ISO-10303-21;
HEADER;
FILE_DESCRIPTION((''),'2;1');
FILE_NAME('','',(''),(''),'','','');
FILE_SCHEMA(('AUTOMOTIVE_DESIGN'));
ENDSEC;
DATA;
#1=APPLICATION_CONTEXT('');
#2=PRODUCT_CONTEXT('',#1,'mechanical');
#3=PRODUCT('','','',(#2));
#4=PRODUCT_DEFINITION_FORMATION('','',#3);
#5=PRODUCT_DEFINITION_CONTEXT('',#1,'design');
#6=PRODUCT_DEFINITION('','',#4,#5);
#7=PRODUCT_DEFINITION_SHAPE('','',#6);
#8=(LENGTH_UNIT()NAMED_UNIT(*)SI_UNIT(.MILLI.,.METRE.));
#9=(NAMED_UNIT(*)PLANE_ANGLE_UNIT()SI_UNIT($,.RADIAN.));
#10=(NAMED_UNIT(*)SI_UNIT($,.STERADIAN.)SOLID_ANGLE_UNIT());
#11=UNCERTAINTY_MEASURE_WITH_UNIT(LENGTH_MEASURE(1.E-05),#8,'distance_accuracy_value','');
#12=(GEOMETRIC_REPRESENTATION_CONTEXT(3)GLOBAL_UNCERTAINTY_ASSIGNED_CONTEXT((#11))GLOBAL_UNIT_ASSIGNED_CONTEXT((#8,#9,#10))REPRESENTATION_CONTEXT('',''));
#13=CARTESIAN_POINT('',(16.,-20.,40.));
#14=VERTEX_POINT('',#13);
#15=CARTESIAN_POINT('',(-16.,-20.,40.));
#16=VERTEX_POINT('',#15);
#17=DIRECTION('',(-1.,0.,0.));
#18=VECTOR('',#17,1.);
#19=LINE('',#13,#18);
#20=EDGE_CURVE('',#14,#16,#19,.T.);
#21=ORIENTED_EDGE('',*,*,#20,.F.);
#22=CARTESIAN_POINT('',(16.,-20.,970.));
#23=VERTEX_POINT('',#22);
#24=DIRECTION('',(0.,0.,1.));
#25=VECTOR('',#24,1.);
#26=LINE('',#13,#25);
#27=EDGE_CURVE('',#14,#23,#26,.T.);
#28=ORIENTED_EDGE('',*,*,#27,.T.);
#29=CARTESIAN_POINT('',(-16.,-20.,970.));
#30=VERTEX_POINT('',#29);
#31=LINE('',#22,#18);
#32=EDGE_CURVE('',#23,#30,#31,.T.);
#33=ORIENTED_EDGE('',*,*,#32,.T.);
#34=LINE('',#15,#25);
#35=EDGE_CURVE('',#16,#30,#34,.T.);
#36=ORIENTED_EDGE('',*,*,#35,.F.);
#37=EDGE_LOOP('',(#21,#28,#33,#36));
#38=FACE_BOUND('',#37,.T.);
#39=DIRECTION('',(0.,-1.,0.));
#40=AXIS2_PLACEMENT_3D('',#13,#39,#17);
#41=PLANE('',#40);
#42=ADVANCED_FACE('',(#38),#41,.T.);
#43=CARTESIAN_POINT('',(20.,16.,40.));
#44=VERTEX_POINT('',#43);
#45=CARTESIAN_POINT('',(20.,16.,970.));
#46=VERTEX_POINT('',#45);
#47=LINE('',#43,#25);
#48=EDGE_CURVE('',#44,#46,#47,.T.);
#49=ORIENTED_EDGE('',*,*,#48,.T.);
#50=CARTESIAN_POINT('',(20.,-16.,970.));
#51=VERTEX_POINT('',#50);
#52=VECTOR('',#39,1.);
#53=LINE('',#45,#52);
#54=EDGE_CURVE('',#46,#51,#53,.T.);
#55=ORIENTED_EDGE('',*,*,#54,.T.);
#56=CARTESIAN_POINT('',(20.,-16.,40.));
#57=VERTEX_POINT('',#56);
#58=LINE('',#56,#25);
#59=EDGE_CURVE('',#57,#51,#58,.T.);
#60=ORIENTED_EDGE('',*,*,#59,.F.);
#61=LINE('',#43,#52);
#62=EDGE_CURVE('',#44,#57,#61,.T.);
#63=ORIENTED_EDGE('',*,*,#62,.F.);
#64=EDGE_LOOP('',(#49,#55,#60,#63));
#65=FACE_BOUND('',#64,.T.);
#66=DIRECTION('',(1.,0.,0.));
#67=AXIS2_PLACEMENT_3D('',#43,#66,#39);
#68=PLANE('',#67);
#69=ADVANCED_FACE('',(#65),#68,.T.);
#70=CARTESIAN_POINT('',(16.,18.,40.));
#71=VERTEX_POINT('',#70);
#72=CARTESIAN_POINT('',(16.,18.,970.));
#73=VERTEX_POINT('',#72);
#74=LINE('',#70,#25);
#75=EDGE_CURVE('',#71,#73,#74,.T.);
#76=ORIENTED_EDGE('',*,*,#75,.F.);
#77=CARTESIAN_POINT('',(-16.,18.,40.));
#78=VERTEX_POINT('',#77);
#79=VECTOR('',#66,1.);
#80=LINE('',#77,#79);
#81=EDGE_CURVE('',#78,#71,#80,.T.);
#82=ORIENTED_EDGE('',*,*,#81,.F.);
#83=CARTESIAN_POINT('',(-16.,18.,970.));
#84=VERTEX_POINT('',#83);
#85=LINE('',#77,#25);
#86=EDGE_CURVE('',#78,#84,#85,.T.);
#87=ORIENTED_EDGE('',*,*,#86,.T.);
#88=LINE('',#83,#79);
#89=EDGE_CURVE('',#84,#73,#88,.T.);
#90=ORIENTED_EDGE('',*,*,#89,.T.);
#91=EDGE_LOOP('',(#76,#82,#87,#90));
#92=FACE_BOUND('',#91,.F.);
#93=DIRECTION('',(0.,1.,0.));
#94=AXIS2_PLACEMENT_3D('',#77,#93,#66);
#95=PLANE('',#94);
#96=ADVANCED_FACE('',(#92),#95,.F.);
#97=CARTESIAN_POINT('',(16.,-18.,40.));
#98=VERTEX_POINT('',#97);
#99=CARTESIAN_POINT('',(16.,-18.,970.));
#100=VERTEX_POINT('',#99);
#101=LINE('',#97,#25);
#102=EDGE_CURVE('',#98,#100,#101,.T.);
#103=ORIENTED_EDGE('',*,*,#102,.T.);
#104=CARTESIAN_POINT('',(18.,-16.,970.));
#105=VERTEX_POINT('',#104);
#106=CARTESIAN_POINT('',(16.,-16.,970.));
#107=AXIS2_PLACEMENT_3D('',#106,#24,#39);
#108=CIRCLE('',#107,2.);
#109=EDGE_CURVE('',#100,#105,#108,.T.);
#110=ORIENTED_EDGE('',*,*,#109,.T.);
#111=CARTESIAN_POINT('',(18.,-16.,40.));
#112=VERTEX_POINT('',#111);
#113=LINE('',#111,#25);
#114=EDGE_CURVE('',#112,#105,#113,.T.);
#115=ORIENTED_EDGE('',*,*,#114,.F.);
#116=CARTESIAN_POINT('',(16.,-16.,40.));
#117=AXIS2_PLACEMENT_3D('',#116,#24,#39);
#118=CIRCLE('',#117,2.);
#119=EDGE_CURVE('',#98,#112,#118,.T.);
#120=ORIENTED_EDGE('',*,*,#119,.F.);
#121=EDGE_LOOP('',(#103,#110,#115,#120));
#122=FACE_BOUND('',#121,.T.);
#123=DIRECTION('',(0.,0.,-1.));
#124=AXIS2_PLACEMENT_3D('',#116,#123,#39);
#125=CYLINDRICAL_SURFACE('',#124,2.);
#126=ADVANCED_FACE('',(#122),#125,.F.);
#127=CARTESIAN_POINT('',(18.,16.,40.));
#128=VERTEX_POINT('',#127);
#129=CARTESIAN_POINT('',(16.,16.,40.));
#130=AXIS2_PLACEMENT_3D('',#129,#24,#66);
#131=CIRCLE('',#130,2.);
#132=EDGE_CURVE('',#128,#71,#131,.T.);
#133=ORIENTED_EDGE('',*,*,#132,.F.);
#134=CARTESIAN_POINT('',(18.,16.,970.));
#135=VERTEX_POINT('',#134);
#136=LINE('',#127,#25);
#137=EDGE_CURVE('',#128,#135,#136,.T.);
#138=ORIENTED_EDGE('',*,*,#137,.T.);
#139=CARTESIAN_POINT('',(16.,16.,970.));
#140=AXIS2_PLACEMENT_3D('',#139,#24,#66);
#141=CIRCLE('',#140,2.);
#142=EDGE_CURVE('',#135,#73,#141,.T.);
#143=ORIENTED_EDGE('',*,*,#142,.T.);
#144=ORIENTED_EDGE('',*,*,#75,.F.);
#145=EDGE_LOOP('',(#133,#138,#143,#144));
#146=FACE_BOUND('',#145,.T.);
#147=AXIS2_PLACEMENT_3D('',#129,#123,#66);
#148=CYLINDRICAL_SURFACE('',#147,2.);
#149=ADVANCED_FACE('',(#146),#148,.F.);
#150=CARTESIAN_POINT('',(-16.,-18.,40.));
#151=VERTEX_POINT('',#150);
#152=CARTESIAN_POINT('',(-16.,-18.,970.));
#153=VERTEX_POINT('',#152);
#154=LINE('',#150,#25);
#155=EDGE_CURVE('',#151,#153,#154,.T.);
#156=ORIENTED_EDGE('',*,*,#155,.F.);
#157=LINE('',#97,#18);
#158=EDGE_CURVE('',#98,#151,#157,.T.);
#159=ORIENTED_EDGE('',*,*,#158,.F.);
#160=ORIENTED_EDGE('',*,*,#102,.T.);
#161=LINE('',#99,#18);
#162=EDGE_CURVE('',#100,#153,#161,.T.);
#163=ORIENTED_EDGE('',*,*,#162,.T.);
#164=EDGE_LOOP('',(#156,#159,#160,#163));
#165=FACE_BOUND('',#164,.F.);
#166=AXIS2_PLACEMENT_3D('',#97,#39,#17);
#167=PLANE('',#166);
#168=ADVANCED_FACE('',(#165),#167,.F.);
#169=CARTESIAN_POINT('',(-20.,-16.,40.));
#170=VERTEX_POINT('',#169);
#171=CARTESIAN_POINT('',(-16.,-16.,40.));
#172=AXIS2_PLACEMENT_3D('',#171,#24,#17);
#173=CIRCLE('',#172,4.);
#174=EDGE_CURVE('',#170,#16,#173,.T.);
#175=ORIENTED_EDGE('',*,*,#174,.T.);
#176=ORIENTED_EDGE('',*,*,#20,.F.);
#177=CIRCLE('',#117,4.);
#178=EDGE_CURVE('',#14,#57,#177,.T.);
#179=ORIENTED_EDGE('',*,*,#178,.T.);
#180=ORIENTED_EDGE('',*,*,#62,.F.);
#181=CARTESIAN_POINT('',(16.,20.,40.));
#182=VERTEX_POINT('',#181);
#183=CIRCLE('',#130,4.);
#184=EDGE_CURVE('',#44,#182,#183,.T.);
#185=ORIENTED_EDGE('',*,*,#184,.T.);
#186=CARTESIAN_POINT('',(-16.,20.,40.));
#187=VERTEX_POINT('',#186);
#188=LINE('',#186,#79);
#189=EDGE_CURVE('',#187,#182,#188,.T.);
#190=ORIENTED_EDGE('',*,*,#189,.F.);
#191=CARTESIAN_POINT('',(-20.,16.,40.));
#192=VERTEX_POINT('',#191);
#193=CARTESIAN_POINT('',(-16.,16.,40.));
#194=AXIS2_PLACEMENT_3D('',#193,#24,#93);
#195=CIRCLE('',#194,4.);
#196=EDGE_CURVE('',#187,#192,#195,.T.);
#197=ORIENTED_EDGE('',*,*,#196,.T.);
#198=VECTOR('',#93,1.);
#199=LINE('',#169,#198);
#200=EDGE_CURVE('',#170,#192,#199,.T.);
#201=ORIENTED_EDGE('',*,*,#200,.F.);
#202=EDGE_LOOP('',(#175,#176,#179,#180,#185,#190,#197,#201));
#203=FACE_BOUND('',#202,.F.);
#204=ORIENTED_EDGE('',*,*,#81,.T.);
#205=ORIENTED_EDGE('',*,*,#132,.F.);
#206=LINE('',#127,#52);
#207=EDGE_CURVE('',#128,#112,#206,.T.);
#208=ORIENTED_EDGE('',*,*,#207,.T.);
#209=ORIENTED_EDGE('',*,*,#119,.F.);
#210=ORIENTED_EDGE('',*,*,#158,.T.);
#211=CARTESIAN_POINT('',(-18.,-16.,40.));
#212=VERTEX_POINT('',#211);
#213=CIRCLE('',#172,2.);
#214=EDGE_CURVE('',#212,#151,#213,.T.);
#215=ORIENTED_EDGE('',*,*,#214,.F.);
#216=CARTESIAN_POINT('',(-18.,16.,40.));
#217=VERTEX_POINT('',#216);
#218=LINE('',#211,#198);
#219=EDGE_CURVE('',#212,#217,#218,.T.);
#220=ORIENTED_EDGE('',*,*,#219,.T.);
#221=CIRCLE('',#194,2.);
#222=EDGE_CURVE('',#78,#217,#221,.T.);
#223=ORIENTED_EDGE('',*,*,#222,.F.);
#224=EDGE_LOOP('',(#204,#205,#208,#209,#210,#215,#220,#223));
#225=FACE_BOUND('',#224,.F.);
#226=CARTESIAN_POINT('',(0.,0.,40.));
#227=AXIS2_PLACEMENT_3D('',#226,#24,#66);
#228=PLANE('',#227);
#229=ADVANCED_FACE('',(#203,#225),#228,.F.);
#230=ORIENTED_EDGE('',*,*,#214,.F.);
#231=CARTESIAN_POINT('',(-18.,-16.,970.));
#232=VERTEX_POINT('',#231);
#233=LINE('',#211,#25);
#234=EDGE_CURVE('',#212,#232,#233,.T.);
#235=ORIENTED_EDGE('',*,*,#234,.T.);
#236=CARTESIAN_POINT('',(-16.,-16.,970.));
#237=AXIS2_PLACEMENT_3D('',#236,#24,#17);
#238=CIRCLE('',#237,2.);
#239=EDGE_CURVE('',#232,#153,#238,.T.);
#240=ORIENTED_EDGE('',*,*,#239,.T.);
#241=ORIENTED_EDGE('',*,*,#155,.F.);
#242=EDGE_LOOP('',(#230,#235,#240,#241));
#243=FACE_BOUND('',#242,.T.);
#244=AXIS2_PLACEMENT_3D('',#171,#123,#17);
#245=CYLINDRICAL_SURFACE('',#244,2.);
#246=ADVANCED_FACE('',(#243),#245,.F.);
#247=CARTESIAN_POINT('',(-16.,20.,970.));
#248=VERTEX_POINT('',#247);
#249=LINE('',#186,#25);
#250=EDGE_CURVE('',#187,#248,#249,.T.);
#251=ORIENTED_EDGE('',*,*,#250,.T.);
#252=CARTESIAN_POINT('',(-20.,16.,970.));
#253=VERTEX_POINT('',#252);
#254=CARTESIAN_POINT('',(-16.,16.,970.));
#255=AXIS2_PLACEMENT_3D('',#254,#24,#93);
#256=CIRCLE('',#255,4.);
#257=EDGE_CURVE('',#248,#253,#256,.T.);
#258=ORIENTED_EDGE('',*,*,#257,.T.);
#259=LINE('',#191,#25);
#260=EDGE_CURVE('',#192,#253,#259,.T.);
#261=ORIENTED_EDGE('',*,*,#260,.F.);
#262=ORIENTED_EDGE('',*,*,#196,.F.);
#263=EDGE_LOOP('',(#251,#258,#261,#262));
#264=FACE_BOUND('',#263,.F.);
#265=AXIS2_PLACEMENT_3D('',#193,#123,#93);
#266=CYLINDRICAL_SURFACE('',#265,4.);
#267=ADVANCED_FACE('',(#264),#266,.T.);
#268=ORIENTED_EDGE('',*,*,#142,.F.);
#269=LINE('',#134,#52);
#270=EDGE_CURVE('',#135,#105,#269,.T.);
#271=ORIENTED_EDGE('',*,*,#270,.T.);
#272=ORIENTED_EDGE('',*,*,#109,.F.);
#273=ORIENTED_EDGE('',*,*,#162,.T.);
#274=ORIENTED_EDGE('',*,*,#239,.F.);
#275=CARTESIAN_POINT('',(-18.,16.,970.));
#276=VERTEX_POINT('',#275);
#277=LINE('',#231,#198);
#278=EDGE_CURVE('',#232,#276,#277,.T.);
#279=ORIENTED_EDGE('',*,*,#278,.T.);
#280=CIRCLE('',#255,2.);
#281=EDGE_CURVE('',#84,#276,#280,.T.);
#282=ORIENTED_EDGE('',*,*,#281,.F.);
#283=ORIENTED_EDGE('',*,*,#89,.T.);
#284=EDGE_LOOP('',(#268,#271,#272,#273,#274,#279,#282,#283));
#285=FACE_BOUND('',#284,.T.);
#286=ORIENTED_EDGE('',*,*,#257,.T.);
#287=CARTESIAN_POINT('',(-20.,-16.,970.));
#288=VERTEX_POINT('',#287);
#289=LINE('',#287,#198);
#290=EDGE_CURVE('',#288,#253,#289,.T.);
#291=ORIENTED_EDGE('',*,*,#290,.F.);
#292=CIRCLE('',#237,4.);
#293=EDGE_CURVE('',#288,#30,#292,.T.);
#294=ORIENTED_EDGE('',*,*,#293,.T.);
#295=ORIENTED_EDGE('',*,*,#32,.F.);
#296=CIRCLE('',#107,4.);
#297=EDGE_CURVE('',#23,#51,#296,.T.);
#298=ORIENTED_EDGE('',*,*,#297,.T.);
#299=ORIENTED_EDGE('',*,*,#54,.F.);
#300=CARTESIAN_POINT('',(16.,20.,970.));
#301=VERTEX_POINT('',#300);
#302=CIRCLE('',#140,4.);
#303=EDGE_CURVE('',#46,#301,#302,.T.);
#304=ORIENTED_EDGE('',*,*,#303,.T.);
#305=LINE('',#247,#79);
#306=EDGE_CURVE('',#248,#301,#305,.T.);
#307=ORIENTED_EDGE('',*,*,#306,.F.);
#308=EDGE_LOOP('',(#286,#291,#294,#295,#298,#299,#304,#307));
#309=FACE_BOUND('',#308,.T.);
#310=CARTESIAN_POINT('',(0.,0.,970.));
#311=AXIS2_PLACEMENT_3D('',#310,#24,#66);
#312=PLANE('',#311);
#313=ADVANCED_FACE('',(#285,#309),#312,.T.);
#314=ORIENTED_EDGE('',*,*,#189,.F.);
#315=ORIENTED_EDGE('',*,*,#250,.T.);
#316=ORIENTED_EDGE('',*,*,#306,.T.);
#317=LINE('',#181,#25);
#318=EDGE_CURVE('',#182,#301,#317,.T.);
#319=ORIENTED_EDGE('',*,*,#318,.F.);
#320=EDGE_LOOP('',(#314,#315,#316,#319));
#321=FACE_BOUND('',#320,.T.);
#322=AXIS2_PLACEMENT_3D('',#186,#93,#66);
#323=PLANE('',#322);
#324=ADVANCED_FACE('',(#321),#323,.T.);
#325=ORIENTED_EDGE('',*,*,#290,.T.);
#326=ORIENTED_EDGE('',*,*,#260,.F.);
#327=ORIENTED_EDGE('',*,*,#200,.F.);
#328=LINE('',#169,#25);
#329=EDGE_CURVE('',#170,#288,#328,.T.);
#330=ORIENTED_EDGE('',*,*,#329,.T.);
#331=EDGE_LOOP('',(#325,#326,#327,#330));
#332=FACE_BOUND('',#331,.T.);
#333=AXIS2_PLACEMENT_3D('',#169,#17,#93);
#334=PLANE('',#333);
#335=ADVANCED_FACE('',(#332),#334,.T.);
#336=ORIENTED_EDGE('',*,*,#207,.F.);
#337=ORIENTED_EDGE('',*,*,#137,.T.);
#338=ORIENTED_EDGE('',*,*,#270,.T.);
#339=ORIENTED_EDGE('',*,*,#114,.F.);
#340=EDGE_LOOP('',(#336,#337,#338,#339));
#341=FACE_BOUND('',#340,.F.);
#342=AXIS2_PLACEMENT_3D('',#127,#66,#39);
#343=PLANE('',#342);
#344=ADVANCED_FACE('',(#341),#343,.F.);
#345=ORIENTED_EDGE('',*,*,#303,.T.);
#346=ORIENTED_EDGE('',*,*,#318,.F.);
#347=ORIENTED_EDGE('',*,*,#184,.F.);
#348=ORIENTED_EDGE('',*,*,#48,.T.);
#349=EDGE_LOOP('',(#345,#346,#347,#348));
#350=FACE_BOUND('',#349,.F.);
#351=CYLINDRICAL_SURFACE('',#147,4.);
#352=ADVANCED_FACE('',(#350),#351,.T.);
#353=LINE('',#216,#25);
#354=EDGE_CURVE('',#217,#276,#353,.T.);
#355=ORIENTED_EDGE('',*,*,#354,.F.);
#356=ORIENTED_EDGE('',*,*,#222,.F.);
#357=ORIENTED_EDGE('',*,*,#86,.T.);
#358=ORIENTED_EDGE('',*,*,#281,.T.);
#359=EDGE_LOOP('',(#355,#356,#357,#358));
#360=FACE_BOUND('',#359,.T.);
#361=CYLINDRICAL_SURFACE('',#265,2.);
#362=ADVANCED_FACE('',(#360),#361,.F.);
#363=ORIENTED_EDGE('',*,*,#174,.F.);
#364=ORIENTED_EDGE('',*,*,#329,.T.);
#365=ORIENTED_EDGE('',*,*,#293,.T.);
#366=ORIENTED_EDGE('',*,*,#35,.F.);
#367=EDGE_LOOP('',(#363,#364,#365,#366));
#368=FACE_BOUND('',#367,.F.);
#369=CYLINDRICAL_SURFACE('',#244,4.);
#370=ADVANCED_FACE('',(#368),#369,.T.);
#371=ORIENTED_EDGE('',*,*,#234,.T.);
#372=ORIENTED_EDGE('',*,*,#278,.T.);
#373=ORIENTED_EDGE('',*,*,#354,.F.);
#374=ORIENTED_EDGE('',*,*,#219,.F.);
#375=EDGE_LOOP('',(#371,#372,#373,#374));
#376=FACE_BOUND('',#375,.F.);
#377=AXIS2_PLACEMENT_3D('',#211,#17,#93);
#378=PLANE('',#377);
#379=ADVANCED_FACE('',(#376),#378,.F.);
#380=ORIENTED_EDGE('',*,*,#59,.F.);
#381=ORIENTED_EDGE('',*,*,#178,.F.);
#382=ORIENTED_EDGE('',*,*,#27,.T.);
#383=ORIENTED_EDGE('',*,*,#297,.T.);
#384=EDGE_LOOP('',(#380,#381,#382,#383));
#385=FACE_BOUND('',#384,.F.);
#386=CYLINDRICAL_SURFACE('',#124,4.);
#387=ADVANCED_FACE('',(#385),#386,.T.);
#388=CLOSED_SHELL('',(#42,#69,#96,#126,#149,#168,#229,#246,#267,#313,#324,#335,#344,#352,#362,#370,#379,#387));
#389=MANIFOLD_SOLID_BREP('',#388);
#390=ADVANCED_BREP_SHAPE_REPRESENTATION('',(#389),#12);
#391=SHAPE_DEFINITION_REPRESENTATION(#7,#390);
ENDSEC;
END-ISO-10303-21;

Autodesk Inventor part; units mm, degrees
ref_plane "YZ Plane" through (0, 0, 0) normal (1, 0, 0) x (0, 1, 0)
ref_plane "Start Plane" through (0, 0, 40) normal (0, 0, 1) x (1, 0, 0)
ref_plane "End Plane" through (0, 0, 970) normal (0, 0, 1) x (1, 0, 0)
sketch "Sketch" plane through (0, 0, 0) normal (0, 0, 1) x (1, 0, 0)
  line L0 (-20, -16) -> (-20, 16)
  line L1 (-16, 20) -> (16, 20)
  line L2 (20, 16) -> (20, -16)
  line L3 (16, -20) -> (-16, -20)
  arc A0 (-20, -16) -> (-16, -20) centre (-16, -16) ccw
  arc A1 (20, 16) -> (16, 20) centre (16, 16) ccw
  arc A2 (-16, 20) -> (-20, 16) centre (-16, 16) ccw
  arc A3 (16, -20) -> (20, -16) centre (16, -16) ccw
  arc A4 (-16, 18) -> (-18, 16) centre (-16, 16) ccw
  line L4 (-16, 18) -> (16, 18)
  arc A5 (18, 16) -> (16, 18) centre (16, 16) ccw
  line L5 (18, 16) -> (18, -16)
  arc A6 (16, -18) -> (18, -16) centre (16, -16) ccw
  line L6 (16, -18) -> (-16, -18)
  arc A7 (-18, -16) -> (-16, -18) centre (-16, -16) ccw
  line L7 (-18, -16) -> (-18, 16)
  line L8 (0, 29.1598) -> (0, -29.1598) construction
  line L9 (-29.1598, 0) -> (29.1598, 0) construction
  dimension "d7" = 4
  dimension "d9" = 40
  dimension "d11" = 40
  dimension "d12" = 2
  dimension "d15" = 20
  dimension "d16" = 20
extrude "Body" add sketch "Sketch" along normal up to surface (930 mm away) from surface at 40
sketch "Sketch3" plane through (0, 0, 0) normal (0, 0, 1) x (1, 0, 0)
  line L0 (0, 0) -> (10, 0)
ref_plane "Work Plane3" through (0, 0, 0) normal (0, -1, 0) x (1, 0, 0)
sketch "Sketch4" plane through (0, 0, 0) normal (0, -1, 0) x (1, 0, 0)
  line L0 (-2, 40) -> (12, 40) projected
  line L1 (-2, 970) -> (12, 970) projected
  dimension "d18" = 930
equation "\"d7\" = G_IR"
equation "\"d9\" = G_W"
equation "\"d11\" = G_H"
equation "\"d12\" = G_T"
equation "\"d15\" = 0.5 * d9"
equation "\"d16\" = 0.5 * d11"
equation "\"d3\" = G_L"
equation "\"G_W\" = 40"
equation "\"G_H\" = 40"
equation "\"G_T\" = 2"
equation "\"G_IR\" = 4"
equation "\"G_L\" = d18"
properties part number "ISO 10799-2 - 40x40x2 - 930" material "Steel, Mild"
